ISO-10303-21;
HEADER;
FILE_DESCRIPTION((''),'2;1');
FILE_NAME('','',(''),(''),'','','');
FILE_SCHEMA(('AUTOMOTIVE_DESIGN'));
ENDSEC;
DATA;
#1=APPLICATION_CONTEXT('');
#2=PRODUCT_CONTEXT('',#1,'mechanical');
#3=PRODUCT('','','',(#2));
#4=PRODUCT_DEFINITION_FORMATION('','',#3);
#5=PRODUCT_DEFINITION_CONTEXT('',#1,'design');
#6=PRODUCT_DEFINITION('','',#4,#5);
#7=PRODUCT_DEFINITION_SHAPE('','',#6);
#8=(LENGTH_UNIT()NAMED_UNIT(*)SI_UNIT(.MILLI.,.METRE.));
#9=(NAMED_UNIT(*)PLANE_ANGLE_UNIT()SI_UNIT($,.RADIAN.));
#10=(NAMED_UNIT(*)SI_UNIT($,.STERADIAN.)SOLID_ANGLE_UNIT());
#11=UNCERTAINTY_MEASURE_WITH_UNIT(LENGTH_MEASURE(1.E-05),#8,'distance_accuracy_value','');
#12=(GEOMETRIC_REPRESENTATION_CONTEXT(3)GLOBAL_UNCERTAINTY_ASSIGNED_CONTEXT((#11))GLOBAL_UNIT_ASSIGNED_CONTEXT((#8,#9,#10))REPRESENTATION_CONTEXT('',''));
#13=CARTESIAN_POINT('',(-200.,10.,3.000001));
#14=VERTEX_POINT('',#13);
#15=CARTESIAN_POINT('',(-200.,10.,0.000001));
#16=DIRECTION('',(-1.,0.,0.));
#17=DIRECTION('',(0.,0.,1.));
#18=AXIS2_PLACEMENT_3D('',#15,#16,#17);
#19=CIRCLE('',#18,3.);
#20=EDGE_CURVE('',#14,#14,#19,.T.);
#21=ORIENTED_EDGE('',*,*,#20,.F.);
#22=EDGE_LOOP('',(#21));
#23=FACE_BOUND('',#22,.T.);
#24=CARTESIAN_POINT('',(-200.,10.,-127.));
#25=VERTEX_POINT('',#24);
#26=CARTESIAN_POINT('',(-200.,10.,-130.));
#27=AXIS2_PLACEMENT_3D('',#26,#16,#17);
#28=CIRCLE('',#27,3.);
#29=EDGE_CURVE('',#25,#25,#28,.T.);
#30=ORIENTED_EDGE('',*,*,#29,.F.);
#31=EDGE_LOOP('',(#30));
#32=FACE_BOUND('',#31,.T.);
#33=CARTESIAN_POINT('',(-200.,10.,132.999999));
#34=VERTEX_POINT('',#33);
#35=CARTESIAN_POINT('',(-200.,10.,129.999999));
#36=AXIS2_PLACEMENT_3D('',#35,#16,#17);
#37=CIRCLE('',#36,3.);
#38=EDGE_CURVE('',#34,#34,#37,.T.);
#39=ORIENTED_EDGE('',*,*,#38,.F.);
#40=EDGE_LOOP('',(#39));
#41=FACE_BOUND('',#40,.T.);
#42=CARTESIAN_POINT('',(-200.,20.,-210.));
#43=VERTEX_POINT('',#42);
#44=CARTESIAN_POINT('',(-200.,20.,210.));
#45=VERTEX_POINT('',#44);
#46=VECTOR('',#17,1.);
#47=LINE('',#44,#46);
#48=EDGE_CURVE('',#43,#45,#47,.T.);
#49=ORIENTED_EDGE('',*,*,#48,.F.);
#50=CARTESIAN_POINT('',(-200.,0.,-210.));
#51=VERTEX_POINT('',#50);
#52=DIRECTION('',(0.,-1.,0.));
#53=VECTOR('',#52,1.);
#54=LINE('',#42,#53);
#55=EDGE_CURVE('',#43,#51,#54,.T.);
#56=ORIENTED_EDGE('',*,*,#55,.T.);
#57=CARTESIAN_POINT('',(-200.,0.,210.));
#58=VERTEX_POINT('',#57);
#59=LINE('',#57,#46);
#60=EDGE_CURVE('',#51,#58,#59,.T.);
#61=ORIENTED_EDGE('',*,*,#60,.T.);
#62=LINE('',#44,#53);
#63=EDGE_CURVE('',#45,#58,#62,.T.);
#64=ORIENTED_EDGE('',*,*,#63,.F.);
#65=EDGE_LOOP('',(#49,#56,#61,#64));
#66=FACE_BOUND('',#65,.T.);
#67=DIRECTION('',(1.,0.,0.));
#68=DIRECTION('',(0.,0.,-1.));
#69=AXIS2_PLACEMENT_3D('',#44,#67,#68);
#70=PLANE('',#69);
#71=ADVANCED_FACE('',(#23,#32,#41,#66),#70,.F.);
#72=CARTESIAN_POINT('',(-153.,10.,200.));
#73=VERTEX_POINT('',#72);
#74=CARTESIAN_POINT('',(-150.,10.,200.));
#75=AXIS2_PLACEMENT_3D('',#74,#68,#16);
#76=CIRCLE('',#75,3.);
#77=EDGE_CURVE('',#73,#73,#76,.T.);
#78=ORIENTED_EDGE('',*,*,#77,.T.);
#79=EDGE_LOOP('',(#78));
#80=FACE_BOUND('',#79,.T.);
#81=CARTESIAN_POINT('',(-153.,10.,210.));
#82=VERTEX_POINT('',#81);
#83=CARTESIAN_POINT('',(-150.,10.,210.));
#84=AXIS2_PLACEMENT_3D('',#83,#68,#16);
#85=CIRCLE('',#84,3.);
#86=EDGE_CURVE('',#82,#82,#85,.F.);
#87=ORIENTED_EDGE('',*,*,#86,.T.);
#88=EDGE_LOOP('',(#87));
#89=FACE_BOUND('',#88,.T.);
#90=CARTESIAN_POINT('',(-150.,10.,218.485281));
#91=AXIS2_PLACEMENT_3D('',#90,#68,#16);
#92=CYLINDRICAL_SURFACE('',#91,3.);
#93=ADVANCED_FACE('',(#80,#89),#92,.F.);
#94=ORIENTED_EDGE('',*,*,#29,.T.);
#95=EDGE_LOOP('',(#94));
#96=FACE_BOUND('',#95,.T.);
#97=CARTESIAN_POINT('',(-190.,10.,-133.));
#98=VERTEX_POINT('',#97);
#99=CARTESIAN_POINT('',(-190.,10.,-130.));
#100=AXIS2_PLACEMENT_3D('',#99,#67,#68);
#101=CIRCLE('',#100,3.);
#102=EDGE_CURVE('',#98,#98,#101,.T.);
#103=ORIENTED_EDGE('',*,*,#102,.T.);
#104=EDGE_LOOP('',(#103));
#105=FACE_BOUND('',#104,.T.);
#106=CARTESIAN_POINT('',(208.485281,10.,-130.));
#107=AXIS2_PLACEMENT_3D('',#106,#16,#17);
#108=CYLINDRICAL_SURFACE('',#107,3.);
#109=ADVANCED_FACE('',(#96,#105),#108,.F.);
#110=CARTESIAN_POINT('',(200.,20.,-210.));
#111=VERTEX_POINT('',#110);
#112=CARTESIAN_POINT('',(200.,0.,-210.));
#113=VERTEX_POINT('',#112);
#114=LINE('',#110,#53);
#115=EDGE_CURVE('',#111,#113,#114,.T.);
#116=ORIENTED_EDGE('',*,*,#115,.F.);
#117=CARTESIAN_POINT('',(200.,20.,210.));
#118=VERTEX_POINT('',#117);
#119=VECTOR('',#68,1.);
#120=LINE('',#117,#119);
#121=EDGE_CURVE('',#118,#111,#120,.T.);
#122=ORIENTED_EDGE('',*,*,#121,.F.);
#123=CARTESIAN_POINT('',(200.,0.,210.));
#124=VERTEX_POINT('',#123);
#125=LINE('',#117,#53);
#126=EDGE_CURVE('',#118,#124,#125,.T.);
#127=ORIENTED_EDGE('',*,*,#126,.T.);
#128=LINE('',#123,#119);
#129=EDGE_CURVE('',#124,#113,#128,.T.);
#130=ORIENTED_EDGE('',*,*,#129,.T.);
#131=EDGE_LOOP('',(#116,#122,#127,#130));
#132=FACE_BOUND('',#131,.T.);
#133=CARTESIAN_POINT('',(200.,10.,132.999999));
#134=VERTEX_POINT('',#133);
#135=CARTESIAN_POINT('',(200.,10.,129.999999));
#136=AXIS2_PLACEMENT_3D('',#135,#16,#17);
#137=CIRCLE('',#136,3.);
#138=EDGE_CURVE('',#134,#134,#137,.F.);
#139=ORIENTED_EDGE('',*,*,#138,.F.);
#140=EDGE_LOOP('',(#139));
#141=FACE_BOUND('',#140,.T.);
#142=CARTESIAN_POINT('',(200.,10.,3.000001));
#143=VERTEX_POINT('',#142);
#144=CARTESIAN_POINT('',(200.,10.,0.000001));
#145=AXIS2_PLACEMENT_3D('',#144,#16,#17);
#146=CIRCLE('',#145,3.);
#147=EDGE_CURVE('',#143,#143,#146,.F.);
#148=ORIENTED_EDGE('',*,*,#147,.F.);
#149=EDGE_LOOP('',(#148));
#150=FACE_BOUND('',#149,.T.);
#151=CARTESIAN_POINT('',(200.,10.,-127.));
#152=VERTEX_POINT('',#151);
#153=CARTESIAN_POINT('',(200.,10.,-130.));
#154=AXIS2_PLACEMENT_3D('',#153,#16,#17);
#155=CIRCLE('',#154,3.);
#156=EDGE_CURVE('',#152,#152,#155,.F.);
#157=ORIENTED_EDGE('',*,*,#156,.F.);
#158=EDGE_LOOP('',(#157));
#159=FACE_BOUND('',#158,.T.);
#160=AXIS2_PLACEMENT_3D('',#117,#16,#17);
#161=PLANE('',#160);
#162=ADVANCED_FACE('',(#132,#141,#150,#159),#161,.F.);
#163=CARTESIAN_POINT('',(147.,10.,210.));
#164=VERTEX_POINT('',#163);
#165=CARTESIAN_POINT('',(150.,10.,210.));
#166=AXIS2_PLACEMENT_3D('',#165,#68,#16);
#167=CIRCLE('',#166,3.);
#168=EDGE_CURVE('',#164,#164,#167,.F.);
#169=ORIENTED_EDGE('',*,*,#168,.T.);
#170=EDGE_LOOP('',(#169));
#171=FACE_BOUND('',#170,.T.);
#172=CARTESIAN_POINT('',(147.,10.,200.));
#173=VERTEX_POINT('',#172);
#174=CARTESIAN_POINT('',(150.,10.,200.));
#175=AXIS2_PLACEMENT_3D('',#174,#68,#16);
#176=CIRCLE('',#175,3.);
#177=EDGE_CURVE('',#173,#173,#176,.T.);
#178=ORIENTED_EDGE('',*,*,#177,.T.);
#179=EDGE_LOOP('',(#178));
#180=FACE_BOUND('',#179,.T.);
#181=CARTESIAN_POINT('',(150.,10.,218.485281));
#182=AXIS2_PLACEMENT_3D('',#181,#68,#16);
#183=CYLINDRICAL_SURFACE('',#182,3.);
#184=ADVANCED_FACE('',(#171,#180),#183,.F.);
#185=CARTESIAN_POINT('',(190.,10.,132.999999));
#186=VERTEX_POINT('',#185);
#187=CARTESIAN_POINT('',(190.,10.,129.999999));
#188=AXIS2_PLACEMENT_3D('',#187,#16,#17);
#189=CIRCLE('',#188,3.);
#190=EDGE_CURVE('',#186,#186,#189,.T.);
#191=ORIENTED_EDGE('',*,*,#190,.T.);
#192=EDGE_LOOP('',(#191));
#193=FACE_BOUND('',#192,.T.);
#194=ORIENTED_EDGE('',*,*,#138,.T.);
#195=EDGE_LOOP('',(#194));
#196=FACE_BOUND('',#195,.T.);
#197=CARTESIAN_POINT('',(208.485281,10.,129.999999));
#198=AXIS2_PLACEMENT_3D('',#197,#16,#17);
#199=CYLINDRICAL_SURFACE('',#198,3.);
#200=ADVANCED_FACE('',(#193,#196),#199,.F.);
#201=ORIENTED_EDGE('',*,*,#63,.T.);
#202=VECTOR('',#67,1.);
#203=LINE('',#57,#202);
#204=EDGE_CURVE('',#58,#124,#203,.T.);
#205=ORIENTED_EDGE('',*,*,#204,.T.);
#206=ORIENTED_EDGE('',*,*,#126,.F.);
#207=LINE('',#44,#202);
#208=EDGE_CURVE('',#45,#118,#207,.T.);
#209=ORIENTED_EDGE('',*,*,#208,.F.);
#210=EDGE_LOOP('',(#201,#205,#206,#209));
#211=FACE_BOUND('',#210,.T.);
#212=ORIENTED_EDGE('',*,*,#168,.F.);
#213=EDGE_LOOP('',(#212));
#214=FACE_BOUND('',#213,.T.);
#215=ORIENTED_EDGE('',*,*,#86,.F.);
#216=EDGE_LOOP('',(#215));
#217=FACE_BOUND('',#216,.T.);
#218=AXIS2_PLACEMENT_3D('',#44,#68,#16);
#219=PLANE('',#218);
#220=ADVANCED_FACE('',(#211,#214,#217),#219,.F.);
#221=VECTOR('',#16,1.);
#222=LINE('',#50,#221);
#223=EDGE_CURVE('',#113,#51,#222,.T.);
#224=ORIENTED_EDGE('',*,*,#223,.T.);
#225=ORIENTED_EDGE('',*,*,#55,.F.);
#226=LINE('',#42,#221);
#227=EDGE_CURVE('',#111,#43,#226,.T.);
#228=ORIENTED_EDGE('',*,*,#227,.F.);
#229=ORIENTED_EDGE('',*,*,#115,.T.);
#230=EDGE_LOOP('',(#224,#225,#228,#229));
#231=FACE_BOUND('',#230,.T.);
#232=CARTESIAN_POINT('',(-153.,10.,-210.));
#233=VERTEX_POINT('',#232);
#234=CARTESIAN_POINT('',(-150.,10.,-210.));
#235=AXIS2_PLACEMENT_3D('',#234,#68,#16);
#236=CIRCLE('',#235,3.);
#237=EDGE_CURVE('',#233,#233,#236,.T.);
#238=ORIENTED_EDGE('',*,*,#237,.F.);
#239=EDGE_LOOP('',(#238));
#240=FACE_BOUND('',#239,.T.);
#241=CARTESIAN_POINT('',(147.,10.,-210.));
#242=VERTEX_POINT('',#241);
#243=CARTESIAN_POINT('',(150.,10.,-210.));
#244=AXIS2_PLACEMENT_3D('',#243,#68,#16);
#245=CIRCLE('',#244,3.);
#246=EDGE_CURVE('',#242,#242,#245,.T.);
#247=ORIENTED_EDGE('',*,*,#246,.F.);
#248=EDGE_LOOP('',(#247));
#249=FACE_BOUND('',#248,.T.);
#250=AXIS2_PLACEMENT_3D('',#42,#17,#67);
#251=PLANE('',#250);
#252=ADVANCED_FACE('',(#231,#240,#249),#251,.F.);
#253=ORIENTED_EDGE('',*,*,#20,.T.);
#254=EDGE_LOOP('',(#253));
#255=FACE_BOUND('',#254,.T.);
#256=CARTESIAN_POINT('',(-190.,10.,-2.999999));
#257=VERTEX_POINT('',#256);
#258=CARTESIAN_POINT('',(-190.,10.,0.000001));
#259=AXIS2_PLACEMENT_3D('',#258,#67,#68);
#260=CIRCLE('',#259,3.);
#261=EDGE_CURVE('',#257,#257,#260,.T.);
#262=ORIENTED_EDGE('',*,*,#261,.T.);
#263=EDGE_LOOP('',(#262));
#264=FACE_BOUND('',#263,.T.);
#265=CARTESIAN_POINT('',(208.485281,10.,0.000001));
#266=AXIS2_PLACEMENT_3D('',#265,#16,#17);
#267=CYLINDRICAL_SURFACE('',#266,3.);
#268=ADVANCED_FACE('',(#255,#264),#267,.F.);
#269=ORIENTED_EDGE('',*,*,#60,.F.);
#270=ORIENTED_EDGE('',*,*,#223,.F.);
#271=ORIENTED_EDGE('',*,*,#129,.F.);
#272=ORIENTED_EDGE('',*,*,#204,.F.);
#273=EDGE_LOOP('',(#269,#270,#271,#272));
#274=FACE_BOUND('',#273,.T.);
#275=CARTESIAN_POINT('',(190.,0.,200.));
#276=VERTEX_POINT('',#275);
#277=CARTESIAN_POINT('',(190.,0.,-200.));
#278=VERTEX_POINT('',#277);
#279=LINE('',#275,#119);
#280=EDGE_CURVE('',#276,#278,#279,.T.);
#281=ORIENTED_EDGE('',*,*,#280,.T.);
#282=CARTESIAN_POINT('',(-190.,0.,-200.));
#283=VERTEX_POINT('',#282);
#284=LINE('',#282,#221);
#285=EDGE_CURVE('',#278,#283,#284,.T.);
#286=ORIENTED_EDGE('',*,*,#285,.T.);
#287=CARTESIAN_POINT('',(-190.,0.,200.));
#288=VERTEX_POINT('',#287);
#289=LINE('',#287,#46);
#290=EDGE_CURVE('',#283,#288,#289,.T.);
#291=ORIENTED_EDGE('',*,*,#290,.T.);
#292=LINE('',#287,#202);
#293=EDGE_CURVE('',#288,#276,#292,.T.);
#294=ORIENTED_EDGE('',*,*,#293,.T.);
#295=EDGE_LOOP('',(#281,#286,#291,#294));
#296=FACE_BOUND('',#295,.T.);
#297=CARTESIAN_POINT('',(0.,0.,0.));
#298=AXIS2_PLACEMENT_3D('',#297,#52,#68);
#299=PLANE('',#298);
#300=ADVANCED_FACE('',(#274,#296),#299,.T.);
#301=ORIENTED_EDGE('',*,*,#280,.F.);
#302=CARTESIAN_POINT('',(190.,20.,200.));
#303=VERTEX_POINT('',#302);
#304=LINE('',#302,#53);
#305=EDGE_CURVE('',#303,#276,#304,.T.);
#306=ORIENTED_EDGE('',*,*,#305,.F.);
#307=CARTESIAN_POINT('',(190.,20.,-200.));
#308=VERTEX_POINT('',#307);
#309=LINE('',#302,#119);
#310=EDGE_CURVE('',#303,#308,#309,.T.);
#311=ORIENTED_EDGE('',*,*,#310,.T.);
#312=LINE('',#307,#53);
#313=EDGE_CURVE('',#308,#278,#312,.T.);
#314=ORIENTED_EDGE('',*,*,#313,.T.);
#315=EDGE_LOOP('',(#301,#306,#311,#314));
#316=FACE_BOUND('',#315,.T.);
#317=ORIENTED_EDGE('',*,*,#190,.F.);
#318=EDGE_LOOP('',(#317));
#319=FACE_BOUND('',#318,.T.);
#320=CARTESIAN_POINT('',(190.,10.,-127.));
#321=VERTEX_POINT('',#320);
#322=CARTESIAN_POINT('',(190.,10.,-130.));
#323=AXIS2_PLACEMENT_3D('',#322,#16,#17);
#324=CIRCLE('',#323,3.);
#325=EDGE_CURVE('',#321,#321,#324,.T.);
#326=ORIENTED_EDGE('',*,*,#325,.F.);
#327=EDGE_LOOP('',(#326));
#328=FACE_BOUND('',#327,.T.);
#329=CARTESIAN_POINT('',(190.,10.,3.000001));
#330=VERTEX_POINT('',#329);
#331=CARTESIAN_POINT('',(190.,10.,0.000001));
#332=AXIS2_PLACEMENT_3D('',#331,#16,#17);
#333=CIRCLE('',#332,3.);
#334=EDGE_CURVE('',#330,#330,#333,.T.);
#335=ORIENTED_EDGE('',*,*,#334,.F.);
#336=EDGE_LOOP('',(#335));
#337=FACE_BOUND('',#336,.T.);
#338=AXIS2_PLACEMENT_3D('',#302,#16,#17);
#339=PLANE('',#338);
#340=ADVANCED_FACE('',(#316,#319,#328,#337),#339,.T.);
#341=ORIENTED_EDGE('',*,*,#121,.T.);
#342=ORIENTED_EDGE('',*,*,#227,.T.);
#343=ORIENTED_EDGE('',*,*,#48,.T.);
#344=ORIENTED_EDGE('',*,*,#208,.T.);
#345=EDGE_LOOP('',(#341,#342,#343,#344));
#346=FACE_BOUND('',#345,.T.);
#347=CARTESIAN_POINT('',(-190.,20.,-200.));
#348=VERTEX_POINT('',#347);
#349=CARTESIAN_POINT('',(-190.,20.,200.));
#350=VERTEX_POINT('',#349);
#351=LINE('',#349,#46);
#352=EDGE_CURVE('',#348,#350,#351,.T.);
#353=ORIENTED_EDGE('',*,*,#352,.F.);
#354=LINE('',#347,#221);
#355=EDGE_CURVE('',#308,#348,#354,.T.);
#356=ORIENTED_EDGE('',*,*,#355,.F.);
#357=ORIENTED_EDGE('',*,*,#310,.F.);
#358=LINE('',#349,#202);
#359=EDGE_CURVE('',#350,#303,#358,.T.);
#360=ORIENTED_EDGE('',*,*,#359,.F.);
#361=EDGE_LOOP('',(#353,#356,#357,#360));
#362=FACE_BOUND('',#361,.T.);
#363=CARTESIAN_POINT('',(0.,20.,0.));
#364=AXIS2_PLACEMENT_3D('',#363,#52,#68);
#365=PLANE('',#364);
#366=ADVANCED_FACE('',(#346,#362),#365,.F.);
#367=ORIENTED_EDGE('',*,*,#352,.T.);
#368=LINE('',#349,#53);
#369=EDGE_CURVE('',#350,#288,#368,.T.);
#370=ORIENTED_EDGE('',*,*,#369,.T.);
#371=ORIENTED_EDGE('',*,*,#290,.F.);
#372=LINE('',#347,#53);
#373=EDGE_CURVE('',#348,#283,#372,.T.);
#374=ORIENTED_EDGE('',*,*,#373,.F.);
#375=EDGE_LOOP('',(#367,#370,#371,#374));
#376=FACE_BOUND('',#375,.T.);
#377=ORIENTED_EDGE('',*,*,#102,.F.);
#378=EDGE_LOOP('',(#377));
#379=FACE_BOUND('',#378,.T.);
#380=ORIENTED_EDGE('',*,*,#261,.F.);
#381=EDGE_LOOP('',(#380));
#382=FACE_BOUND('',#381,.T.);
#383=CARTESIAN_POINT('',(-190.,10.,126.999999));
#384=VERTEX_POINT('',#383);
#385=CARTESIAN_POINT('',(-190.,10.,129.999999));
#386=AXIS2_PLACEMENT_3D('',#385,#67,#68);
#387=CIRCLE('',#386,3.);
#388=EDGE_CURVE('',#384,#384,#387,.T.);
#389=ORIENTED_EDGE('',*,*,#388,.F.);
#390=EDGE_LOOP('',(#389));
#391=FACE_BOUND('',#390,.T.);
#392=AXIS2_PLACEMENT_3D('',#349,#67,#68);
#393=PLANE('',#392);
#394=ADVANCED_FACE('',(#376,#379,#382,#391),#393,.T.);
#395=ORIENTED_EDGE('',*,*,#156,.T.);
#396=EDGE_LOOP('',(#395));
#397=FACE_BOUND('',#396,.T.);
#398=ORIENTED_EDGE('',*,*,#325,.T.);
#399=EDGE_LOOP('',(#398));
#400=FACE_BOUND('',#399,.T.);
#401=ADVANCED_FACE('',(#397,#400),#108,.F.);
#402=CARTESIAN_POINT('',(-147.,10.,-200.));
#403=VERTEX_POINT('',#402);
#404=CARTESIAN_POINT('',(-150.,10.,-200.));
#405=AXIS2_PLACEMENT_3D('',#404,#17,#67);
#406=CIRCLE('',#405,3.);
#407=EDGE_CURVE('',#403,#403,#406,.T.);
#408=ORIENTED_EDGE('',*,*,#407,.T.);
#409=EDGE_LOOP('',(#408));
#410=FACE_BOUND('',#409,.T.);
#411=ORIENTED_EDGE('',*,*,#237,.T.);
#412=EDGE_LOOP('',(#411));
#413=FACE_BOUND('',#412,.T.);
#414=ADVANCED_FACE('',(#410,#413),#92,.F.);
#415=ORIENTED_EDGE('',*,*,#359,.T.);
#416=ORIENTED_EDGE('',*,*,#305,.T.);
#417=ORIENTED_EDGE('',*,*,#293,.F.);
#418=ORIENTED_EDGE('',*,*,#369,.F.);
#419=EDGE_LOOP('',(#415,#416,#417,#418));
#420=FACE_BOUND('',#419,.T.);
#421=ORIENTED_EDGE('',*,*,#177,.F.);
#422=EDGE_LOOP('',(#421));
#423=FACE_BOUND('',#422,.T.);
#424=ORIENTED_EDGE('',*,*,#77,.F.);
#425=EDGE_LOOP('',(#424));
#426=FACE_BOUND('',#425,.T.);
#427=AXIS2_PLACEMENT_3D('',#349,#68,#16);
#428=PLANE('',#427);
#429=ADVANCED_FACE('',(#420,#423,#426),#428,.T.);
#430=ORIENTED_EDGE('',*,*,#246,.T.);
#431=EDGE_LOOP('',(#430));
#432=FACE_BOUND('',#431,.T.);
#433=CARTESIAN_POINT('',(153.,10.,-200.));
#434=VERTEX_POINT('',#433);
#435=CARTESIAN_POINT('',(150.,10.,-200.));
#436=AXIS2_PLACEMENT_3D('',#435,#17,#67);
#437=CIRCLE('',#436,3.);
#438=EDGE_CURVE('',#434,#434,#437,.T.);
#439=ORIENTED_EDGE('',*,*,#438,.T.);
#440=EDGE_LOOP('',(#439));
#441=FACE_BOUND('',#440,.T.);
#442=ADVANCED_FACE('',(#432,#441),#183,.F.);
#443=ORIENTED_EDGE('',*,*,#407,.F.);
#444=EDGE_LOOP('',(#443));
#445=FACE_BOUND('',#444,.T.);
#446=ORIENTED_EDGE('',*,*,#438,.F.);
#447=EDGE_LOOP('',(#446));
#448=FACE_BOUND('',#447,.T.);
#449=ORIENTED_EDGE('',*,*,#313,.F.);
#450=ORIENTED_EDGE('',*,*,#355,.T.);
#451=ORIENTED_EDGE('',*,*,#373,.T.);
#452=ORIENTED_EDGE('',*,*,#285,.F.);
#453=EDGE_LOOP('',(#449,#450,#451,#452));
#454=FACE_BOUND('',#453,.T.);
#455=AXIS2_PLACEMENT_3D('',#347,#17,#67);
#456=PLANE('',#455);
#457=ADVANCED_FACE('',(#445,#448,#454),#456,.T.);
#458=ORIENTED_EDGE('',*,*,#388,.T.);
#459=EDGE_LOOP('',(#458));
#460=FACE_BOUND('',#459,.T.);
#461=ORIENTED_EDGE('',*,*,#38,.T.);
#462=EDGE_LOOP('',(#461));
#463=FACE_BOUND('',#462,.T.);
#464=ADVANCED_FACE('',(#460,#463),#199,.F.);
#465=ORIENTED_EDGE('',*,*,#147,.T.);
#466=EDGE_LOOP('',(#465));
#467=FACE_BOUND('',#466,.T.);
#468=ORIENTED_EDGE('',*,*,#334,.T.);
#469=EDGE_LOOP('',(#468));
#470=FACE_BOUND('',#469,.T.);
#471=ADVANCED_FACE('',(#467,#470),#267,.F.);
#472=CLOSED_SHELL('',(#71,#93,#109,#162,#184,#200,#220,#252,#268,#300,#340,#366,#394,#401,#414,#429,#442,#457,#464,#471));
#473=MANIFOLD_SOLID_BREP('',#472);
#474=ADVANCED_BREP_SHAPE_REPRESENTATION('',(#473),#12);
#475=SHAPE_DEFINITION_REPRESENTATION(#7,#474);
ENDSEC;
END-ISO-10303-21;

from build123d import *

# Parameters (mm, degrees)
SKETCH1_W           = 400
SKETCH1_H           = 420
SKETCH1_W_2         = 380
SKETCH1_H_2         = 400
BOSS_EXTRUDE1_DEPTH = 20
SKETCH2_R           = 3
CUT_EXTRUDE1_DEPTH  = 400
SKETCH3_R           = 3
CUT_EXTRUDE2_DEPTH  = 420


with BuildPart() as part:
    # Sketch1 → Boss-Extrude1 (new body)
    with BuildSketch(Plane(origin=(0, 0, 0), x_dir=(1, 0, 0), z_dir=(0, 1, 0))):
        Rectangle(SKETCH1_W, SKETCH1_H)
        Rectangle(SKETCH1_W_2, SKETCH1_H_2, mode=Mode.SUBTRACT)
    extrude(amount=BOSS_EXTRUDE1_DEPTH)

    # Sketch2 → Cut-Extrude1 (cut)
    with BuildSketch(Plane.ZY.offset(200)):
        with Locations((1.026e-06, 10)):
            Circle(SKETCH2_R)
        with Locations((129.999998686, 10)):
            Circle(SKETCH2_R)
        with Locations((-130, 10)):
            Circle(SKETCH2_R)
    extrude(amount=-CUT_EXTRUDE1_DEPTH, mode=Mode.SUBTRACT)

    # Sketch3 → Cut-Extrude2 (cut)
    with BuildSketch(Plane(origin=(0, 0, -210), x_dir=(-1, 0, 0), z_dir=(0, 0, -1))):
        with Locations((-150, 10)):
            Circle(SKETCH3_R)
        with Locations((150, 10)):
            Circle(SKETCH3_R)
    extrude(amount=-CUT_EXTRUDE2_DEPTH, mode=Mode.SUBTRACT)


solid = part.part
